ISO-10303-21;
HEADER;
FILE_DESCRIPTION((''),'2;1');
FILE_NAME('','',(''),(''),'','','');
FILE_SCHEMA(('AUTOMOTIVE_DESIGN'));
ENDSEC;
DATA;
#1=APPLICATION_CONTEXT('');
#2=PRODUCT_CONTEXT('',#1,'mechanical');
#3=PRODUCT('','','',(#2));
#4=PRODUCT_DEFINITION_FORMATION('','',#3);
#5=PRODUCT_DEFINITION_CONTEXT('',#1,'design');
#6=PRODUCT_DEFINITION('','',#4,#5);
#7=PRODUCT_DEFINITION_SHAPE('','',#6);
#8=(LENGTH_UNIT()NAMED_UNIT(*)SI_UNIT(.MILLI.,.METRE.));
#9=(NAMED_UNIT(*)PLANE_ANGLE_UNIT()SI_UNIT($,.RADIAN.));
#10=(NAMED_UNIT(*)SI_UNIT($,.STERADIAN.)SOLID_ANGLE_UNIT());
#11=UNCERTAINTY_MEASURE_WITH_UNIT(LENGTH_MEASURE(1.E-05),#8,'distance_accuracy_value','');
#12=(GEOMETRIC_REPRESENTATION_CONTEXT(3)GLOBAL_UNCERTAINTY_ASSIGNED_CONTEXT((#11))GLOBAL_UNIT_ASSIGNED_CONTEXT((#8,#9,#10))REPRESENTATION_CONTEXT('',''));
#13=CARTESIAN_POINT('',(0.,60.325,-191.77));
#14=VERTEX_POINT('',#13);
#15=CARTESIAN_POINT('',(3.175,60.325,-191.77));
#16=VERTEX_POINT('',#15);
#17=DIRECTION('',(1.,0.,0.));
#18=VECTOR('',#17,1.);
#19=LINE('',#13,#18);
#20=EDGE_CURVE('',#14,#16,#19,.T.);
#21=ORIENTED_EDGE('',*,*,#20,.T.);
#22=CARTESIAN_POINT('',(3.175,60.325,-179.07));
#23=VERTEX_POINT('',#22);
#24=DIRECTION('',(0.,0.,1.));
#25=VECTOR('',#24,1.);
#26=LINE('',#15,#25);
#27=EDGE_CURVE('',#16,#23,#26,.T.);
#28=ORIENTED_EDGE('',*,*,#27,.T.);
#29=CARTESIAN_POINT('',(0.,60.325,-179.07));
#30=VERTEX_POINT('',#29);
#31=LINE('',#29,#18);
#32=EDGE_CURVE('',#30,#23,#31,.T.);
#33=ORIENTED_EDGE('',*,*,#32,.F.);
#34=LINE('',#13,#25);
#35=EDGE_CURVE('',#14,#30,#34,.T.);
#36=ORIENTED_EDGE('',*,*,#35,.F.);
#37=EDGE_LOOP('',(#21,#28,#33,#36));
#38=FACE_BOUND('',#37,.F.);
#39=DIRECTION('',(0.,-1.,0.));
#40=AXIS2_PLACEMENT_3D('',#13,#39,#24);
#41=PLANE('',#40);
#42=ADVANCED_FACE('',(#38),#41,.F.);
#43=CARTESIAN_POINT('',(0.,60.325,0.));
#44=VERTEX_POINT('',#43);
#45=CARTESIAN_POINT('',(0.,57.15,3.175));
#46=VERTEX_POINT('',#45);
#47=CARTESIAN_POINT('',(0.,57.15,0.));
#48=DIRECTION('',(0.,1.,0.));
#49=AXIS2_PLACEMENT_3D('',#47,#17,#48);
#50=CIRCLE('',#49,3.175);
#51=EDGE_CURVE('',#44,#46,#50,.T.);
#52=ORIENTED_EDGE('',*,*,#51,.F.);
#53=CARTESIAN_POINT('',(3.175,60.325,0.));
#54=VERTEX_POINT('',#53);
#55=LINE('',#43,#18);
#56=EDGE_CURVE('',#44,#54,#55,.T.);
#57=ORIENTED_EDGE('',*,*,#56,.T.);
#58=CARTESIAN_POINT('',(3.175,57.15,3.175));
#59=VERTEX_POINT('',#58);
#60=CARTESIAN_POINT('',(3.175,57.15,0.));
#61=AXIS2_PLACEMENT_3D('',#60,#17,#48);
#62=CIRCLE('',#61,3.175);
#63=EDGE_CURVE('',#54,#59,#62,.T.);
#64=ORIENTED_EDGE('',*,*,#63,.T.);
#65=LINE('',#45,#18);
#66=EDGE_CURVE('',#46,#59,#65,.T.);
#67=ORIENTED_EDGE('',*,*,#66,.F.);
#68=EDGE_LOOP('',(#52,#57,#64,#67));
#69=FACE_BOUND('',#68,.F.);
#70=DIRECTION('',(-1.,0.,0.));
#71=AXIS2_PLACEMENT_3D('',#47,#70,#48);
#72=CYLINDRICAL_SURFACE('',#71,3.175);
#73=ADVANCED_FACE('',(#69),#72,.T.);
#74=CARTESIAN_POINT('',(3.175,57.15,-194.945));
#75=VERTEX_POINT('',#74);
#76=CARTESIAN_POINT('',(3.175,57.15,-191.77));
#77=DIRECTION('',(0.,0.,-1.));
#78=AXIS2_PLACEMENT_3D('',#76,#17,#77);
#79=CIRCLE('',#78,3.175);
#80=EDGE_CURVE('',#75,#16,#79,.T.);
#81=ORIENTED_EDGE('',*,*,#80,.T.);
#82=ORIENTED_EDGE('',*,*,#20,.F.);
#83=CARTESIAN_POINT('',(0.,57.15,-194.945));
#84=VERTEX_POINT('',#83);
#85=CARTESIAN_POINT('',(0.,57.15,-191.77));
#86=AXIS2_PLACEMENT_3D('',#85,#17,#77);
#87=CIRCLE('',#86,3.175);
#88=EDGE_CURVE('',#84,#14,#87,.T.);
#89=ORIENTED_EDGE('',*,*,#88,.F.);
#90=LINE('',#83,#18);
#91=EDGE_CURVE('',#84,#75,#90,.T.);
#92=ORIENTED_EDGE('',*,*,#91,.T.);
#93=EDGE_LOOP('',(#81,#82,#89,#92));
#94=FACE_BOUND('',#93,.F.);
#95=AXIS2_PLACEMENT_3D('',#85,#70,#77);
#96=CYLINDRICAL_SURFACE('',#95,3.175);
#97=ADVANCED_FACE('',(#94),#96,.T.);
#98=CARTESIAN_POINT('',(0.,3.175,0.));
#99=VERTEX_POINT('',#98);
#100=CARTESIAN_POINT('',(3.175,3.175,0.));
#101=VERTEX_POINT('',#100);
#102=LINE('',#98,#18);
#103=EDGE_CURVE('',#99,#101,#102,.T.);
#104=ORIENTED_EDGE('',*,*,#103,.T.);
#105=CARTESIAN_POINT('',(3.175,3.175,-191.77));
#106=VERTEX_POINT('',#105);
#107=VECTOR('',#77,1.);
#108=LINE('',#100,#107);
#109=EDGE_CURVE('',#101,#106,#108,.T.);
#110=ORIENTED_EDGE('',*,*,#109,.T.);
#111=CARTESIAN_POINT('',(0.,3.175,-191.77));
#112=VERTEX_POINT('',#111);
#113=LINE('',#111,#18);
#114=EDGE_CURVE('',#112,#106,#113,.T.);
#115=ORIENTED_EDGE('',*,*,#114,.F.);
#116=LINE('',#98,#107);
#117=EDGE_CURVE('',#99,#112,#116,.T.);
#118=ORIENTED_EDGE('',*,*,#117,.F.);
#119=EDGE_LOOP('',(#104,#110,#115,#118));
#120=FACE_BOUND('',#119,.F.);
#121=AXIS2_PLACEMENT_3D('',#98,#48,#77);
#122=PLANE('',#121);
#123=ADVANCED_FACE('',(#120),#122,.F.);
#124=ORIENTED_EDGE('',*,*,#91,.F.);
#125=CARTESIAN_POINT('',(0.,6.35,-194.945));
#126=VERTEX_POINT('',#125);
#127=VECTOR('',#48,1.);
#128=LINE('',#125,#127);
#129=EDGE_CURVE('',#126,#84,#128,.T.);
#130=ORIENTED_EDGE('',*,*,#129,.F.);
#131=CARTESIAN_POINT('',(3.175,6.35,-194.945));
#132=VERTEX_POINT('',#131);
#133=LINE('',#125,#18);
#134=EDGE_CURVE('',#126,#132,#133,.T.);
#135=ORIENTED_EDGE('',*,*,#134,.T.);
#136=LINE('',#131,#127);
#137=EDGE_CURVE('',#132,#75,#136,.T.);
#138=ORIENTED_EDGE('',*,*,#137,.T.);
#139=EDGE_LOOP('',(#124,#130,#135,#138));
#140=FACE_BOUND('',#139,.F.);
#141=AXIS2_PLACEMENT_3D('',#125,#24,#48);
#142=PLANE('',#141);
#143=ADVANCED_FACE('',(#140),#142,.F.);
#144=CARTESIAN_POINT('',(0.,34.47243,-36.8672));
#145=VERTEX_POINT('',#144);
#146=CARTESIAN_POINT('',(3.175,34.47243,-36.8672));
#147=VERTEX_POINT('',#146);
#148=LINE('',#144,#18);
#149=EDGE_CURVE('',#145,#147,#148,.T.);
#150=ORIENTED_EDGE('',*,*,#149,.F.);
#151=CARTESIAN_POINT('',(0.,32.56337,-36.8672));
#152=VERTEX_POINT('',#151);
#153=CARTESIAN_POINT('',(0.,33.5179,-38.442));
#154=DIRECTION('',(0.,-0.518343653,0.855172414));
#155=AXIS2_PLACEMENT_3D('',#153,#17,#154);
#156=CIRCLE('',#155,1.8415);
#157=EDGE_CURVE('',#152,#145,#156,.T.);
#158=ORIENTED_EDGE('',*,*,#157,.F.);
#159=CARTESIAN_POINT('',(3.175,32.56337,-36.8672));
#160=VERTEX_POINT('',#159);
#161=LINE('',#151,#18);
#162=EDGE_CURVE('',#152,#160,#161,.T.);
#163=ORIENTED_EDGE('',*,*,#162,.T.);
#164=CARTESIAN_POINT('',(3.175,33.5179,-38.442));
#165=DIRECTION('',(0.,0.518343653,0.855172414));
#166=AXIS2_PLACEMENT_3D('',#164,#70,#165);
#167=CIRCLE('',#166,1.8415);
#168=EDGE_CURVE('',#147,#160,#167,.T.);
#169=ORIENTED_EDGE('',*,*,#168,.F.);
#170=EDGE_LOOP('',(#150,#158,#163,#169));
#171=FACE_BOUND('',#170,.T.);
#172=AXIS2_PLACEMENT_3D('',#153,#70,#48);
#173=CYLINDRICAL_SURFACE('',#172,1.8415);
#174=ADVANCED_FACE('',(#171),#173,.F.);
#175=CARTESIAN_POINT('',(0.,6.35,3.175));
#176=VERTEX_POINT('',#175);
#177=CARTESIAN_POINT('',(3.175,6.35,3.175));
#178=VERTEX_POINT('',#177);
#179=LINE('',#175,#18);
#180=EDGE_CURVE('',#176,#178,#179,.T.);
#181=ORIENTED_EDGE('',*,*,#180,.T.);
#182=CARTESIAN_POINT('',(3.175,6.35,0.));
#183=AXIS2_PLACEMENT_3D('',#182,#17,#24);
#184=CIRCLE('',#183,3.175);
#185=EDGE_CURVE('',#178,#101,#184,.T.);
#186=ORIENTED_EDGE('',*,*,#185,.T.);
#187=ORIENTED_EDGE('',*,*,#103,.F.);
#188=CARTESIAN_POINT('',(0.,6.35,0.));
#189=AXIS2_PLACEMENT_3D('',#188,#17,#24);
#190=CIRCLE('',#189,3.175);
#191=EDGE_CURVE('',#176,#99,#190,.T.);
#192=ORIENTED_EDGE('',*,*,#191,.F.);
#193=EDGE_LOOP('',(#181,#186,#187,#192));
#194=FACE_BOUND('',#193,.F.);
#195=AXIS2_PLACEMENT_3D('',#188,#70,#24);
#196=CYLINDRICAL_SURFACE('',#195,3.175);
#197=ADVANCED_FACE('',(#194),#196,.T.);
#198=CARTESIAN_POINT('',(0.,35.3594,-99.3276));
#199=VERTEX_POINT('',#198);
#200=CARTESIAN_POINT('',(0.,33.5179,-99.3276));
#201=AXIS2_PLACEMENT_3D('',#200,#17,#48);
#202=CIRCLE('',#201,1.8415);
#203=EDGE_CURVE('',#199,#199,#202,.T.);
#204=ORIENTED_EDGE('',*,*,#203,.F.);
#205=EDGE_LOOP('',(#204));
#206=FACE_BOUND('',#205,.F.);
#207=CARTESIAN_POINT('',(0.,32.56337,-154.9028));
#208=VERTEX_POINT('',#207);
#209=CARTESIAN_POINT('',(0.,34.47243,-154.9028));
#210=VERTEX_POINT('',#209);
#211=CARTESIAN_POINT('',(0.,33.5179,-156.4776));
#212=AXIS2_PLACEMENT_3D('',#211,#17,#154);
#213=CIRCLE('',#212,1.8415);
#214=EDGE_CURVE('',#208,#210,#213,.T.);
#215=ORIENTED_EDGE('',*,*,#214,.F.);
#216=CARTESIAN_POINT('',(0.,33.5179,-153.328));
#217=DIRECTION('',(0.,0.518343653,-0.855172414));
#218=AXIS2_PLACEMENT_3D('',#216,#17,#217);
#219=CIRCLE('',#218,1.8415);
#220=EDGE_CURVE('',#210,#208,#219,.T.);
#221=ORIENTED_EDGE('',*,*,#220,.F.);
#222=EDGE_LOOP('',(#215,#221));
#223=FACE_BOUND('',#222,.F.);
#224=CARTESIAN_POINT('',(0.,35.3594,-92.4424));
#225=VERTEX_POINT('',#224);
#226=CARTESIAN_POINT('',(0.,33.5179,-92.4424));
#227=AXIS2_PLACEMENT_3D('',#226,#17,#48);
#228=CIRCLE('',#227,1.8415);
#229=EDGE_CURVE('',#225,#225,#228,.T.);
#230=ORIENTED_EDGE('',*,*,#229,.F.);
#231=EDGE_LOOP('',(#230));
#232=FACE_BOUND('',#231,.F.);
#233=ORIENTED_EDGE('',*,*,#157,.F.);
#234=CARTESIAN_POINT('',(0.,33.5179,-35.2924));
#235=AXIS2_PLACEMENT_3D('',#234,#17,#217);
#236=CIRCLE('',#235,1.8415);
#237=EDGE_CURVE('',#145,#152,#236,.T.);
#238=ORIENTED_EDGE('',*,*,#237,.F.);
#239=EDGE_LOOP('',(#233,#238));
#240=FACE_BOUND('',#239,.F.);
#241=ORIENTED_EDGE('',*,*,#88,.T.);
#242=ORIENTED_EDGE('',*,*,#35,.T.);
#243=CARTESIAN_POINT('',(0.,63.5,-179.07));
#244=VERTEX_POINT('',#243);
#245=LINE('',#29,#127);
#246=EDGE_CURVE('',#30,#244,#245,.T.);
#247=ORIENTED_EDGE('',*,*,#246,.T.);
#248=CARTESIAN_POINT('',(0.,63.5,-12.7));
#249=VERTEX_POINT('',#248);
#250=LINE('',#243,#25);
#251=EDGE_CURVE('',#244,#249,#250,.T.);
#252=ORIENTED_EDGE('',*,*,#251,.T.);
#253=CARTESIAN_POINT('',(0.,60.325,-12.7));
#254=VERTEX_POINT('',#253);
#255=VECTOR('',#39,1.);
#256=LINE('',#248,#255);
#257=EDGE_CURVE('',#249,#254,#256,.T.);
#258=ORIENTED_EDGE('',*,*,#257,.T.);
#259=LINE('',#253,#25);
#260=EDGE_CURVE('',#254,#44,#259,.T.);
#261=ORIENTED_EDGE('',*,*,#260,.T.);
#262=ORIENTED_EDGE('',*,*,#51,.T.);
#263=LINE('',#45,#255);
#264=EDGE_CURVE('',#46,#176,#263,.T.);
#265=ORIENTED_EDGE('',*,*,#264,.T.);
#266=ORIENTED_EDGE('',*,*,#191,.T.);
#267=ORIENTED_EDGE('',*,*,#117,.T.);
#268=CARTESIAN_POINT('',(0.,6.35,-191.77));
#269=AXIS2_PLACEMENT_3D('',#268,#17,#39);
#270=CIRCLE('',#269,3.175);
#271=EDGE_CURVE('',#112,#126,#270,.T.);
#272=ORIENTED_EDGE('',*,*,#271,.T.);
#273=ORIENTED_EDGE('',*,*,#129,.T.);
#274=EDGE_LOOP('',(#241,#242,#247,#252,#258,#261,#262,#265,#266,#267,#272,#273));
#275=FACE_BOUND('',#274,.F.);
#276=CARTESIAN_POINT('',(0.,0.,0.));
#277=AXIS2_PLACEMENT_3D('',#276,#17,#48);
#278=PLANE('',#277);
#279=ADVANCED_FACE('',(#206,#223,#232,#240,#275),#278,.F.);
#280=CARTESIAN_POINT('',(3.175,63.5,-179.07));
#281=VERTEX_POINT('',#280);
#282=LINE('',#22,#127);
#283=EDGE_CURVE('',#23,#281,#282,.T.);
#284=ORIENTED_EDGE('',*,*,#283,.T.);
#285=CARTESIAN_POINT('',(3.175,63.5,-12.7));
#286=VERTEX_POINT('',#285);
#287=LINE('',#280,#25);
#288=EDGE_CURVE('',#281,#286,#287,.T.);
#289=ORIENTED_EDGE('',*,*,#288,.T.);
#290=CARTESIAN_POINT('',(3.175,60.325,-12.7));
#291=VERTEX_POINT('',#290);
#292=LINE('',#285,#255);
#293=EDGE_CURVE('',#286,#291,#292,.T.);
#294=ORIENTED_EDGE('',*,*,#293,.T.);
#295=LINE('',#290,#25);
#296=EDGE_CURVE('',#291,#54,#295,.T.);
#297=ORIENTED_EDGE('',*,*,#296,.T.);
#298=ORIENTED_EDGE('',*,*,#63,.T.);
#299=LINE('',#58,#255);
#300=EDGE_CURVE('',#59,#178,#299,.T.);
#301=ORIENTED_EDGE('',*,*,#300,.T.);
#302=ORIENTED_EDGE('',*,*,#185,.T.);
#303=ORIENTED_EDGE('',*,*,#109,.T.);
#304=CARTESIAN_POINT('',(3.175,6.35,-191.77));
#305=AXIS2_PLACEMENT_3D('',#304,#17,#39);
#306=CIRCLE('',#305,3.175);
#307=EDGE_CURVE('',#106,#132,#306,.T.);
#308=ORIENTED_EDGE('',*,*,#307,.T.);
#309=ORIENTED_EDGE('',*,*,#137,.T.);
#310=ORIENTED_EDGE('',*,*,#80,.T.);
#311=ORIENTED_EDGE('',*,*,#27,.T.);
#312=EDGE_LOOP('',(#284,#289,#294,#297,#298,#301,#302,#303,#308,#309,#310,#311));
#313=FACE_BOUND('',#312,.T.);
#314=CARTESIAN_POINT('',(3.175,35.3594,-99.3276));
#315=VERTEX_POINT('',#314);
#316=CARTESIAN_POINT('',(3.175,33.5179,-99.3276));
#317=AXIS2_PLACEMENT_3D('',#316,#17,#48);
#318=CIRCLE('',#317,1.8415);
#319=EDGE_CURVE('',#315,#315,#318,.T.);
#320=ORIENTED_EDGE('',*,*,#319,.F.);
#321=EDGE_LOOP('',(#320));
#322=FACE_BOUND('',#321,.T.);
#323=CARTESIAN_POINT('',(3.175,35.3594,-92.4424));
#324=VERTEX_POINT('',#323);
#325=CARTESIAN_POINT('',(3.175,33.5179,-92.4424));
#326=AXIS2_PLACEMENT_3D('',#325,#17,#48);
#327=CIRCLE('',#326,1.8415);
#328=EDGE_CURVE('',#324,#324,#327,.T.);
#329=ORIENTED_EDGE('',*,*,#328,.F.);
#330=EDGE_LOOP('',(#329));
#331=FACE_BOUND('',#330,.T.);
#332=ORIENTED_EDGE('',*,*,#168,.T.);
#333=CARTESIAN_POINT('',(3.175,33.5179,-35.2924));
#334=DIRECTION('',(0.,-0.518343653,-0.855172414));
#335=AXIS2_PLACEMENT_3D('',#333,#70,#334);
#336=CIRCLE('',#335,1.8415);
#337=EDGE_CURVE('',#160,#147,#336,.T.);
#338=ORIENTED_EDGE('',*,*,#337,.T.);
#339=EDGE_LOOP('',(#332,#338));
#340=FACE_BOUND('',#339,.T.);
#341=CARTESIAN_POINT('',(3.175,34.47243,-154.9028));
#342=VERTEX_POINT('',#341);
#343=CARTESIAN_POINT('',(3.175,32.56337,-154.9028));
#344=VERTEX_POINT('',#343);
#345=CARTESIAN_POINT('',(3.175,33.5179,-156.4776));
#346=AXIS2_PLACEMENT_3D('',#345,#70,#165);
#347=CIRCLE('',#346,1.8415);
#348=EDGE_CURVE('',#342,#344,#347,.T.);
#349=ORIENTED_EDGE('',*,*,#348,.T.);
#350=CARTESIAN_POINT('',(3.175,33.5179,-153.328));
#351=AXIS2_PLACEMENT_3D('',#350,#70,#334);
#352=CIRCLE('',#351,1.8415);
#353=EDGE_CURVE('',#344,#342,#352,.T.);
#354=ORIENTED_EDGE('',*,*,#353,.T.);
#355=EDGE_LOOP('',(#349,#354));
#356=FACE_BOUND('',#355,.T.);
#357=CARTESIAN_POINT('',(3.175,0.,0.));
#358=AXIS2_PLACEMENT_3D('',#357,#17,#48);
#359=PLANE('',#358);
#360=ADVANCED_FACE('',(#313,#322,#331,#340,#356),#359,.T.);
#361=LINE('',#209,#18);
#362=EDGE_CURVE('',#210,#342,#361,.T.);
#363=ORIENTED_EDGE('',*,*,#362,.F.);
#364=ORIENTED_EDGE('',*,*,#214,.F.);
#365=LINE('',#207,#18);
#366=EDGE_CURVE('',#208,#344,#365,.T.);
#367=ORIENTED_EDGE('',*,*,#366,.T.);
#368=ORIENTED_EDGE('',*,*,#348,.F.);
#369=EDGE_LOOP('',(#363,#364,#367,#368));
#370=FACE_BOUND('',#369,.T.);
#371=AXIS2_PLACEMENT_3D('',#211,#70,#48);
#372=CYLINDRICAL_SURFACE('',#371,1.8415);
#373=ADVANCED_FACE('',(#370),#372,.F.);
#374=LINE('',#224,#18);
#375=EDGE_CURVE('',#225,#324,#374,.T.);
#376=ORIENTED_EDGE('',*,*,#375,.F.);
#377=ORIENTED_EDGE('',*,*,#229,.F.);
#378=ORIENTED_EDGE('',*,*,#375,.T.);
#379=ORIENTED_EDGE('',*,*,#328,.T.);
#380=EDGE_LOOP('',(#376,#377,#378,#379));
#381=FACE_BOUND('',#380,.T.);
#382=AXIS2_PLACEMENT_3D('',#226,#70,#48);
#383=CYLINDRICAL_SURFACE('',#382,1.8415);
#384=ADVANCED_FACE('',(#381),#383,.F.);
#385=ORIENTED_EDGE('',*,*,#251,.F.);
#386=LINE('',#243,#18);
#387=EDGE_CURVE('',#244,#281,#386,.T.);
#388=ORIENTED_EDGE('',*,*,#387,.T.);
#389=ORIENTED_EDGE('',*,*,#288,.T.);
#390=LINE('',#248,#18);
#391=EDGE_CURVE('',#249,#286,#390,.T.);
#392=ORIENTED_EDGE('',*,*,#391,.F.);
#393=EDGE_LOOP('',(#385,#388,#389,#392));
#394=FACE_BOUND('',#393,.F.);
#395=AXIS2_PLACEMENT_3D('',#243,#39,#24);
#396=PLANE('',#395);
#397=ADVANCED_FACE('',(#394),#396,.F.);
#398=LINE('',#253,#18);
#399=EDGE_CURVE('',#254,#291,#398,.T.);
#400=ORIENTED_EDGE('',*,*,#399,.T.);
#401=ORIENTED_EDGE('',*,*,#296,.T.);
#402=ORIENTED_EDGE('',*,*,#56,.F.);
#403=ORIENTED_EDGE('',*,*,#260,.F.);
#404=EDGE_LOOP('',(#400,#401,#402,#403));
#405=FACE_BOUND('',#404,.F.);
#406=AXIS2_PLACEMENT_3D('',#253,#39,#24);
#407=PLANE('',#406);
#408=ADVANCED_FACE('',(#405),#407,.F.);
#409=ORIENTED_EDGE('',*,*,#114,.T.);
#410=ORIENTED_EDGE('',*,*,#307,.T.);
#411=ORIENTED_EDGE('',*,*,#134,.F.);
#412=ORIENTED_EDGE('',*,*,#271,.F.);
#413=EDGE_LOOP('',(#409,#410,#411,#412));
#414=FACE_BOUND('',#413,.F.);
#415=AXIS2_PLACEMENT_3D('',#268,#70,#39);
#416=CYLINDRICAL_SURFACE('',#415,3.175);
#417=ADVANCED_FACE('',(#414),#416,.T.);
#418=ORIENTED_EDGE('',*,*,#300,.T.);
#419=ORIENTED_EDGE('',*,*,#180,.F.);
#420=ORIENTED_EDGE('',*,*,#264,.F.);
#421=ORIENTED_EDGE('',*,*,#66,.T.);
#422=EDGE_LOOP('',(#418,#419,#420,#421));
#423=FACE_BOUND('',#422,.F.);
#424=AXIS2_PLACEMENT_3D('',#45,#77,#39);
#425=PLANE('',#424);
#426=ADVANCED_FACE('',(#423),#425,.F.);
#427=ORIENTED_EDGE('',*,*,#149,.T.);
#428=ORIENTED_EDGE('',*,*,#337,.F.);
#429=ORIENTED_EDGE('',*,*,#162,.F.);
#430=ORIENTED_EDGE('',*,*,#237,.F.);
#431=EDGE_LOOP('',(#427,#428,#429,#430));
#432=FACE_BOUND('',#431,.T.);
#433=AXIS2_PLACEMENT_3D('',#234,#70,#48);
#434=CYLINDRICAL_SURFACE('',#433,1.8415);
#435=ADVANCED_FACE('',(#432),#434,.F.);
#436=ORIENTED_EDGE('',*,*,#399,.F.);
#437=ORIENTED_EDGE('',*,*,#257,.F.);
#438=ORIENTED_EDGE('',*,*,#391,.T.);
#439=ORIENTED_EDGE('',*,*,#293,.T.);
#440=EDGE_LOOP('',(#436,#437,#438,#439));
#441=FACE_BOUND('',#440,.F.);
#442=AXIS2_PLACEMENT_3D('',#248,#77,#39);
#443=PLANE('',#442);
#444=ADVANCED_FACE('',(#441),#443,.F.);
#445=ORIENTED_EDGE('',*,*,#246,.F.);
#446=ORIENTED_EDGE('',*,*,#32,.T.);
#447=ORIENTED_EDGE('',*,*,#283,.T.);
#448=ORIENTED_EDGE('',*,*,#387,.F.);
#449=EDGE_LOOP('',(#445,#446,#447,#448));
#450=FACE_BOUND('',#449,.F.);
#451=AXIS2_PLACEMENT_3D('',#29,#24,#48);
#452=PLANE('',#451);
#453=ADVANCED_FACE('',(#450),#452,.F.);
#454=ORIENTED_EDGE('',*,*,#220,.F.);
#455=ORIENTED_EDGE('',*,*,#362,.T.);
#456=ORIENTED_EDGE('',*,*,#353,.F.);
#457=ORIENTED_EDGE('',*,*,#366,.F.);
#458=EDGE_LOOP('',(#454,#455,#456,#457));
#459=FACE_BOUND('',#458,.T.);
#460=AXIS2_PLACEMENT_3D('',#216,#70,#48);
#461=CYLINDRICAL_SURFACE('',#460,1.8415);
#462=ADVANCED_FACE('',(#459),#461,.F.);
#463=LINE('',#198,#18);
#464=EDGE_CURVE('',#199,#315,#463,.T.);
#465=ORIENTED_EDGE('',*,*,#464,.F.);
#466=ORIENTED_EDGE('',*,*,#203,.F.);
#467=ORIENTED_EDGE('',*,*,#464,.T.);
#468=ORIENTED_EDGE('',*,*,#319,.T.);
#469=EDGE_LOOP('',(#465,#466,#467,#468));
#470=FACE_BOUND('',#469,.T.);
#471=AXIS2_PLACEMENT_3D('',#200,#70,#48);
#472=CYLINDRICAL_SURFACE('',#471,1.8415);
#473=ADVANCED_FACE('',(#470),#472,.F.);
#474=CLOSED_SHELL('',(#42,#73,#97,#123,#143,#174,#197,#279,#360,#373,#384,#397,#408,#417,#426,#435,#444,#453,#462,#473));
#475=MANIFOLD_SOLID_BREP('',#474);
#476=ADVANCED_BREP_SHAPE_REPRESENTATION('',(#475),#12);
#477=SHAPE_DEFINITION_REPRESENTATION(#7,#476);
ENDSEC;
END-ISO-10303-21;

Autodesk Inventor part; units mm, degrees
ref_plane "YZ Plane" through (0, 0, 0) normal (1, 0, 0) x (0, 1, 0)
ref_plane "XZ Plane" through (0, 0, 0) normal (0, 1, 0) x (-1, 0, 0)
ref_plane "XY Plane" through (0, 0, 0) normal (0, 0, 1) x (1, 0, 0)
sketch "Sketch1" plane through (0, 0, 0) normal (1, 0, 0) x (0, 1, 0)
  line L0 (63.5, -12.7) -> (60.325, -12.7)
  line L1 (60.325, -12.7) -> (60.325, 0)
  arc A0 (60.325, 0) -> (57.15, 3.175) centre (57.15, 0) ccw
  line L2 (57.15, 3.175) -> (6.35, 3.175)
  arc A1 (6.35, 3.175) -> (3.175, 0) centre (6.35, 0) ccw
  line L3 (3.175, 0) -> (3.175, -191.77)
  arc A2 (3.175, -191.77) -> (6.35, -194.945) centre (6.35, -191.77) ccw
  line L4 (6.35, -194.945) -> (57.15, -194.945)
  arc A3 (57.15, -194.945) -> (60.325, -191.77) centre (57.15, -191.77) ccw
  line L5 (60.325, -191.77) -> (60.325, -179.07)
  line L6 (60.325, -179.07) -> (63.5, -179.07)
  line L7 (63.5, -179.07) -> (63.5, -12.7)
  line L8 (60.325, -179.07) -> (63.5, -179.07)
  line L9 (60.325, -179.07) -> (60.325, -191.77)
  line L10 (63.5, -12.7) -> (60.325, -12.7)
  line L11 (60.325, -12.7) -> (60.325, 0)
  line L12 (57.15, 3.175) -> (6.35, 3.175)
  line L13 (57.15, -194.945) -> (6.35, -194.945)
  line L14 (3.175, 0) -> (3.175, -191.77)
  arc A4 (6.35, 3.175) -> (3.175, 0) centre (6.35, 0) ccw
  arc A5 (60.325, 0) -> (57.15, 3.175) centre (57.15, 0) ccw
  circle A6 centre (33.5179, -99.3276) radius 1.8415
  circle A7 centre (33.5179, -92.4424) radius 1.8415
  circle A8 centre (33.5179, -38.442) radius 1.8415
  circle A9 centre (33.5179, -35.2924) radius 1.8415
  circle A10 centre (33.5179, -153.328) radius 1.8415
  circle A11 centre (33.5179, -156.4776) radius 1.8415
  point P0 (0, 0)
extrude "Plate1" add sketch "Sketch1" along normal blind 3.175 contours L7 L6 L5 A3 L4 A2 L3 A1 L2 A0 L1 L0 | A6 | A7 | A8 A9 | A9 A8 | A8 A9 | A10 A11 | A11 A10 | A10 A11
extrude "Cut4" cut sketch "Sketch1" along normal blind 3.175 contours A6 | A7 | A8 A9 | A9 A8 | A8 A9 | A10 A11 | A11 A10 | A10 A11
equation "\"BendRadius\" = Thickness"
equation "\"BendReliefWidth\" = Thickness"
equation "\"BendReliefDepth\" = 0.5 * Thickness"
equation "\"CornerReliefSize\" = 4 * Thickness"
equation "\"MinimumRemnant\" = 2 * Thickness"
equation "\"TransitionRadius\" = BendRadius"
equation "\"JacobiRadiusSize\" = BendRadius"
equation "\"GapSize\" = Thickness"
properties part number "sides" material "Aluminum 6061"
